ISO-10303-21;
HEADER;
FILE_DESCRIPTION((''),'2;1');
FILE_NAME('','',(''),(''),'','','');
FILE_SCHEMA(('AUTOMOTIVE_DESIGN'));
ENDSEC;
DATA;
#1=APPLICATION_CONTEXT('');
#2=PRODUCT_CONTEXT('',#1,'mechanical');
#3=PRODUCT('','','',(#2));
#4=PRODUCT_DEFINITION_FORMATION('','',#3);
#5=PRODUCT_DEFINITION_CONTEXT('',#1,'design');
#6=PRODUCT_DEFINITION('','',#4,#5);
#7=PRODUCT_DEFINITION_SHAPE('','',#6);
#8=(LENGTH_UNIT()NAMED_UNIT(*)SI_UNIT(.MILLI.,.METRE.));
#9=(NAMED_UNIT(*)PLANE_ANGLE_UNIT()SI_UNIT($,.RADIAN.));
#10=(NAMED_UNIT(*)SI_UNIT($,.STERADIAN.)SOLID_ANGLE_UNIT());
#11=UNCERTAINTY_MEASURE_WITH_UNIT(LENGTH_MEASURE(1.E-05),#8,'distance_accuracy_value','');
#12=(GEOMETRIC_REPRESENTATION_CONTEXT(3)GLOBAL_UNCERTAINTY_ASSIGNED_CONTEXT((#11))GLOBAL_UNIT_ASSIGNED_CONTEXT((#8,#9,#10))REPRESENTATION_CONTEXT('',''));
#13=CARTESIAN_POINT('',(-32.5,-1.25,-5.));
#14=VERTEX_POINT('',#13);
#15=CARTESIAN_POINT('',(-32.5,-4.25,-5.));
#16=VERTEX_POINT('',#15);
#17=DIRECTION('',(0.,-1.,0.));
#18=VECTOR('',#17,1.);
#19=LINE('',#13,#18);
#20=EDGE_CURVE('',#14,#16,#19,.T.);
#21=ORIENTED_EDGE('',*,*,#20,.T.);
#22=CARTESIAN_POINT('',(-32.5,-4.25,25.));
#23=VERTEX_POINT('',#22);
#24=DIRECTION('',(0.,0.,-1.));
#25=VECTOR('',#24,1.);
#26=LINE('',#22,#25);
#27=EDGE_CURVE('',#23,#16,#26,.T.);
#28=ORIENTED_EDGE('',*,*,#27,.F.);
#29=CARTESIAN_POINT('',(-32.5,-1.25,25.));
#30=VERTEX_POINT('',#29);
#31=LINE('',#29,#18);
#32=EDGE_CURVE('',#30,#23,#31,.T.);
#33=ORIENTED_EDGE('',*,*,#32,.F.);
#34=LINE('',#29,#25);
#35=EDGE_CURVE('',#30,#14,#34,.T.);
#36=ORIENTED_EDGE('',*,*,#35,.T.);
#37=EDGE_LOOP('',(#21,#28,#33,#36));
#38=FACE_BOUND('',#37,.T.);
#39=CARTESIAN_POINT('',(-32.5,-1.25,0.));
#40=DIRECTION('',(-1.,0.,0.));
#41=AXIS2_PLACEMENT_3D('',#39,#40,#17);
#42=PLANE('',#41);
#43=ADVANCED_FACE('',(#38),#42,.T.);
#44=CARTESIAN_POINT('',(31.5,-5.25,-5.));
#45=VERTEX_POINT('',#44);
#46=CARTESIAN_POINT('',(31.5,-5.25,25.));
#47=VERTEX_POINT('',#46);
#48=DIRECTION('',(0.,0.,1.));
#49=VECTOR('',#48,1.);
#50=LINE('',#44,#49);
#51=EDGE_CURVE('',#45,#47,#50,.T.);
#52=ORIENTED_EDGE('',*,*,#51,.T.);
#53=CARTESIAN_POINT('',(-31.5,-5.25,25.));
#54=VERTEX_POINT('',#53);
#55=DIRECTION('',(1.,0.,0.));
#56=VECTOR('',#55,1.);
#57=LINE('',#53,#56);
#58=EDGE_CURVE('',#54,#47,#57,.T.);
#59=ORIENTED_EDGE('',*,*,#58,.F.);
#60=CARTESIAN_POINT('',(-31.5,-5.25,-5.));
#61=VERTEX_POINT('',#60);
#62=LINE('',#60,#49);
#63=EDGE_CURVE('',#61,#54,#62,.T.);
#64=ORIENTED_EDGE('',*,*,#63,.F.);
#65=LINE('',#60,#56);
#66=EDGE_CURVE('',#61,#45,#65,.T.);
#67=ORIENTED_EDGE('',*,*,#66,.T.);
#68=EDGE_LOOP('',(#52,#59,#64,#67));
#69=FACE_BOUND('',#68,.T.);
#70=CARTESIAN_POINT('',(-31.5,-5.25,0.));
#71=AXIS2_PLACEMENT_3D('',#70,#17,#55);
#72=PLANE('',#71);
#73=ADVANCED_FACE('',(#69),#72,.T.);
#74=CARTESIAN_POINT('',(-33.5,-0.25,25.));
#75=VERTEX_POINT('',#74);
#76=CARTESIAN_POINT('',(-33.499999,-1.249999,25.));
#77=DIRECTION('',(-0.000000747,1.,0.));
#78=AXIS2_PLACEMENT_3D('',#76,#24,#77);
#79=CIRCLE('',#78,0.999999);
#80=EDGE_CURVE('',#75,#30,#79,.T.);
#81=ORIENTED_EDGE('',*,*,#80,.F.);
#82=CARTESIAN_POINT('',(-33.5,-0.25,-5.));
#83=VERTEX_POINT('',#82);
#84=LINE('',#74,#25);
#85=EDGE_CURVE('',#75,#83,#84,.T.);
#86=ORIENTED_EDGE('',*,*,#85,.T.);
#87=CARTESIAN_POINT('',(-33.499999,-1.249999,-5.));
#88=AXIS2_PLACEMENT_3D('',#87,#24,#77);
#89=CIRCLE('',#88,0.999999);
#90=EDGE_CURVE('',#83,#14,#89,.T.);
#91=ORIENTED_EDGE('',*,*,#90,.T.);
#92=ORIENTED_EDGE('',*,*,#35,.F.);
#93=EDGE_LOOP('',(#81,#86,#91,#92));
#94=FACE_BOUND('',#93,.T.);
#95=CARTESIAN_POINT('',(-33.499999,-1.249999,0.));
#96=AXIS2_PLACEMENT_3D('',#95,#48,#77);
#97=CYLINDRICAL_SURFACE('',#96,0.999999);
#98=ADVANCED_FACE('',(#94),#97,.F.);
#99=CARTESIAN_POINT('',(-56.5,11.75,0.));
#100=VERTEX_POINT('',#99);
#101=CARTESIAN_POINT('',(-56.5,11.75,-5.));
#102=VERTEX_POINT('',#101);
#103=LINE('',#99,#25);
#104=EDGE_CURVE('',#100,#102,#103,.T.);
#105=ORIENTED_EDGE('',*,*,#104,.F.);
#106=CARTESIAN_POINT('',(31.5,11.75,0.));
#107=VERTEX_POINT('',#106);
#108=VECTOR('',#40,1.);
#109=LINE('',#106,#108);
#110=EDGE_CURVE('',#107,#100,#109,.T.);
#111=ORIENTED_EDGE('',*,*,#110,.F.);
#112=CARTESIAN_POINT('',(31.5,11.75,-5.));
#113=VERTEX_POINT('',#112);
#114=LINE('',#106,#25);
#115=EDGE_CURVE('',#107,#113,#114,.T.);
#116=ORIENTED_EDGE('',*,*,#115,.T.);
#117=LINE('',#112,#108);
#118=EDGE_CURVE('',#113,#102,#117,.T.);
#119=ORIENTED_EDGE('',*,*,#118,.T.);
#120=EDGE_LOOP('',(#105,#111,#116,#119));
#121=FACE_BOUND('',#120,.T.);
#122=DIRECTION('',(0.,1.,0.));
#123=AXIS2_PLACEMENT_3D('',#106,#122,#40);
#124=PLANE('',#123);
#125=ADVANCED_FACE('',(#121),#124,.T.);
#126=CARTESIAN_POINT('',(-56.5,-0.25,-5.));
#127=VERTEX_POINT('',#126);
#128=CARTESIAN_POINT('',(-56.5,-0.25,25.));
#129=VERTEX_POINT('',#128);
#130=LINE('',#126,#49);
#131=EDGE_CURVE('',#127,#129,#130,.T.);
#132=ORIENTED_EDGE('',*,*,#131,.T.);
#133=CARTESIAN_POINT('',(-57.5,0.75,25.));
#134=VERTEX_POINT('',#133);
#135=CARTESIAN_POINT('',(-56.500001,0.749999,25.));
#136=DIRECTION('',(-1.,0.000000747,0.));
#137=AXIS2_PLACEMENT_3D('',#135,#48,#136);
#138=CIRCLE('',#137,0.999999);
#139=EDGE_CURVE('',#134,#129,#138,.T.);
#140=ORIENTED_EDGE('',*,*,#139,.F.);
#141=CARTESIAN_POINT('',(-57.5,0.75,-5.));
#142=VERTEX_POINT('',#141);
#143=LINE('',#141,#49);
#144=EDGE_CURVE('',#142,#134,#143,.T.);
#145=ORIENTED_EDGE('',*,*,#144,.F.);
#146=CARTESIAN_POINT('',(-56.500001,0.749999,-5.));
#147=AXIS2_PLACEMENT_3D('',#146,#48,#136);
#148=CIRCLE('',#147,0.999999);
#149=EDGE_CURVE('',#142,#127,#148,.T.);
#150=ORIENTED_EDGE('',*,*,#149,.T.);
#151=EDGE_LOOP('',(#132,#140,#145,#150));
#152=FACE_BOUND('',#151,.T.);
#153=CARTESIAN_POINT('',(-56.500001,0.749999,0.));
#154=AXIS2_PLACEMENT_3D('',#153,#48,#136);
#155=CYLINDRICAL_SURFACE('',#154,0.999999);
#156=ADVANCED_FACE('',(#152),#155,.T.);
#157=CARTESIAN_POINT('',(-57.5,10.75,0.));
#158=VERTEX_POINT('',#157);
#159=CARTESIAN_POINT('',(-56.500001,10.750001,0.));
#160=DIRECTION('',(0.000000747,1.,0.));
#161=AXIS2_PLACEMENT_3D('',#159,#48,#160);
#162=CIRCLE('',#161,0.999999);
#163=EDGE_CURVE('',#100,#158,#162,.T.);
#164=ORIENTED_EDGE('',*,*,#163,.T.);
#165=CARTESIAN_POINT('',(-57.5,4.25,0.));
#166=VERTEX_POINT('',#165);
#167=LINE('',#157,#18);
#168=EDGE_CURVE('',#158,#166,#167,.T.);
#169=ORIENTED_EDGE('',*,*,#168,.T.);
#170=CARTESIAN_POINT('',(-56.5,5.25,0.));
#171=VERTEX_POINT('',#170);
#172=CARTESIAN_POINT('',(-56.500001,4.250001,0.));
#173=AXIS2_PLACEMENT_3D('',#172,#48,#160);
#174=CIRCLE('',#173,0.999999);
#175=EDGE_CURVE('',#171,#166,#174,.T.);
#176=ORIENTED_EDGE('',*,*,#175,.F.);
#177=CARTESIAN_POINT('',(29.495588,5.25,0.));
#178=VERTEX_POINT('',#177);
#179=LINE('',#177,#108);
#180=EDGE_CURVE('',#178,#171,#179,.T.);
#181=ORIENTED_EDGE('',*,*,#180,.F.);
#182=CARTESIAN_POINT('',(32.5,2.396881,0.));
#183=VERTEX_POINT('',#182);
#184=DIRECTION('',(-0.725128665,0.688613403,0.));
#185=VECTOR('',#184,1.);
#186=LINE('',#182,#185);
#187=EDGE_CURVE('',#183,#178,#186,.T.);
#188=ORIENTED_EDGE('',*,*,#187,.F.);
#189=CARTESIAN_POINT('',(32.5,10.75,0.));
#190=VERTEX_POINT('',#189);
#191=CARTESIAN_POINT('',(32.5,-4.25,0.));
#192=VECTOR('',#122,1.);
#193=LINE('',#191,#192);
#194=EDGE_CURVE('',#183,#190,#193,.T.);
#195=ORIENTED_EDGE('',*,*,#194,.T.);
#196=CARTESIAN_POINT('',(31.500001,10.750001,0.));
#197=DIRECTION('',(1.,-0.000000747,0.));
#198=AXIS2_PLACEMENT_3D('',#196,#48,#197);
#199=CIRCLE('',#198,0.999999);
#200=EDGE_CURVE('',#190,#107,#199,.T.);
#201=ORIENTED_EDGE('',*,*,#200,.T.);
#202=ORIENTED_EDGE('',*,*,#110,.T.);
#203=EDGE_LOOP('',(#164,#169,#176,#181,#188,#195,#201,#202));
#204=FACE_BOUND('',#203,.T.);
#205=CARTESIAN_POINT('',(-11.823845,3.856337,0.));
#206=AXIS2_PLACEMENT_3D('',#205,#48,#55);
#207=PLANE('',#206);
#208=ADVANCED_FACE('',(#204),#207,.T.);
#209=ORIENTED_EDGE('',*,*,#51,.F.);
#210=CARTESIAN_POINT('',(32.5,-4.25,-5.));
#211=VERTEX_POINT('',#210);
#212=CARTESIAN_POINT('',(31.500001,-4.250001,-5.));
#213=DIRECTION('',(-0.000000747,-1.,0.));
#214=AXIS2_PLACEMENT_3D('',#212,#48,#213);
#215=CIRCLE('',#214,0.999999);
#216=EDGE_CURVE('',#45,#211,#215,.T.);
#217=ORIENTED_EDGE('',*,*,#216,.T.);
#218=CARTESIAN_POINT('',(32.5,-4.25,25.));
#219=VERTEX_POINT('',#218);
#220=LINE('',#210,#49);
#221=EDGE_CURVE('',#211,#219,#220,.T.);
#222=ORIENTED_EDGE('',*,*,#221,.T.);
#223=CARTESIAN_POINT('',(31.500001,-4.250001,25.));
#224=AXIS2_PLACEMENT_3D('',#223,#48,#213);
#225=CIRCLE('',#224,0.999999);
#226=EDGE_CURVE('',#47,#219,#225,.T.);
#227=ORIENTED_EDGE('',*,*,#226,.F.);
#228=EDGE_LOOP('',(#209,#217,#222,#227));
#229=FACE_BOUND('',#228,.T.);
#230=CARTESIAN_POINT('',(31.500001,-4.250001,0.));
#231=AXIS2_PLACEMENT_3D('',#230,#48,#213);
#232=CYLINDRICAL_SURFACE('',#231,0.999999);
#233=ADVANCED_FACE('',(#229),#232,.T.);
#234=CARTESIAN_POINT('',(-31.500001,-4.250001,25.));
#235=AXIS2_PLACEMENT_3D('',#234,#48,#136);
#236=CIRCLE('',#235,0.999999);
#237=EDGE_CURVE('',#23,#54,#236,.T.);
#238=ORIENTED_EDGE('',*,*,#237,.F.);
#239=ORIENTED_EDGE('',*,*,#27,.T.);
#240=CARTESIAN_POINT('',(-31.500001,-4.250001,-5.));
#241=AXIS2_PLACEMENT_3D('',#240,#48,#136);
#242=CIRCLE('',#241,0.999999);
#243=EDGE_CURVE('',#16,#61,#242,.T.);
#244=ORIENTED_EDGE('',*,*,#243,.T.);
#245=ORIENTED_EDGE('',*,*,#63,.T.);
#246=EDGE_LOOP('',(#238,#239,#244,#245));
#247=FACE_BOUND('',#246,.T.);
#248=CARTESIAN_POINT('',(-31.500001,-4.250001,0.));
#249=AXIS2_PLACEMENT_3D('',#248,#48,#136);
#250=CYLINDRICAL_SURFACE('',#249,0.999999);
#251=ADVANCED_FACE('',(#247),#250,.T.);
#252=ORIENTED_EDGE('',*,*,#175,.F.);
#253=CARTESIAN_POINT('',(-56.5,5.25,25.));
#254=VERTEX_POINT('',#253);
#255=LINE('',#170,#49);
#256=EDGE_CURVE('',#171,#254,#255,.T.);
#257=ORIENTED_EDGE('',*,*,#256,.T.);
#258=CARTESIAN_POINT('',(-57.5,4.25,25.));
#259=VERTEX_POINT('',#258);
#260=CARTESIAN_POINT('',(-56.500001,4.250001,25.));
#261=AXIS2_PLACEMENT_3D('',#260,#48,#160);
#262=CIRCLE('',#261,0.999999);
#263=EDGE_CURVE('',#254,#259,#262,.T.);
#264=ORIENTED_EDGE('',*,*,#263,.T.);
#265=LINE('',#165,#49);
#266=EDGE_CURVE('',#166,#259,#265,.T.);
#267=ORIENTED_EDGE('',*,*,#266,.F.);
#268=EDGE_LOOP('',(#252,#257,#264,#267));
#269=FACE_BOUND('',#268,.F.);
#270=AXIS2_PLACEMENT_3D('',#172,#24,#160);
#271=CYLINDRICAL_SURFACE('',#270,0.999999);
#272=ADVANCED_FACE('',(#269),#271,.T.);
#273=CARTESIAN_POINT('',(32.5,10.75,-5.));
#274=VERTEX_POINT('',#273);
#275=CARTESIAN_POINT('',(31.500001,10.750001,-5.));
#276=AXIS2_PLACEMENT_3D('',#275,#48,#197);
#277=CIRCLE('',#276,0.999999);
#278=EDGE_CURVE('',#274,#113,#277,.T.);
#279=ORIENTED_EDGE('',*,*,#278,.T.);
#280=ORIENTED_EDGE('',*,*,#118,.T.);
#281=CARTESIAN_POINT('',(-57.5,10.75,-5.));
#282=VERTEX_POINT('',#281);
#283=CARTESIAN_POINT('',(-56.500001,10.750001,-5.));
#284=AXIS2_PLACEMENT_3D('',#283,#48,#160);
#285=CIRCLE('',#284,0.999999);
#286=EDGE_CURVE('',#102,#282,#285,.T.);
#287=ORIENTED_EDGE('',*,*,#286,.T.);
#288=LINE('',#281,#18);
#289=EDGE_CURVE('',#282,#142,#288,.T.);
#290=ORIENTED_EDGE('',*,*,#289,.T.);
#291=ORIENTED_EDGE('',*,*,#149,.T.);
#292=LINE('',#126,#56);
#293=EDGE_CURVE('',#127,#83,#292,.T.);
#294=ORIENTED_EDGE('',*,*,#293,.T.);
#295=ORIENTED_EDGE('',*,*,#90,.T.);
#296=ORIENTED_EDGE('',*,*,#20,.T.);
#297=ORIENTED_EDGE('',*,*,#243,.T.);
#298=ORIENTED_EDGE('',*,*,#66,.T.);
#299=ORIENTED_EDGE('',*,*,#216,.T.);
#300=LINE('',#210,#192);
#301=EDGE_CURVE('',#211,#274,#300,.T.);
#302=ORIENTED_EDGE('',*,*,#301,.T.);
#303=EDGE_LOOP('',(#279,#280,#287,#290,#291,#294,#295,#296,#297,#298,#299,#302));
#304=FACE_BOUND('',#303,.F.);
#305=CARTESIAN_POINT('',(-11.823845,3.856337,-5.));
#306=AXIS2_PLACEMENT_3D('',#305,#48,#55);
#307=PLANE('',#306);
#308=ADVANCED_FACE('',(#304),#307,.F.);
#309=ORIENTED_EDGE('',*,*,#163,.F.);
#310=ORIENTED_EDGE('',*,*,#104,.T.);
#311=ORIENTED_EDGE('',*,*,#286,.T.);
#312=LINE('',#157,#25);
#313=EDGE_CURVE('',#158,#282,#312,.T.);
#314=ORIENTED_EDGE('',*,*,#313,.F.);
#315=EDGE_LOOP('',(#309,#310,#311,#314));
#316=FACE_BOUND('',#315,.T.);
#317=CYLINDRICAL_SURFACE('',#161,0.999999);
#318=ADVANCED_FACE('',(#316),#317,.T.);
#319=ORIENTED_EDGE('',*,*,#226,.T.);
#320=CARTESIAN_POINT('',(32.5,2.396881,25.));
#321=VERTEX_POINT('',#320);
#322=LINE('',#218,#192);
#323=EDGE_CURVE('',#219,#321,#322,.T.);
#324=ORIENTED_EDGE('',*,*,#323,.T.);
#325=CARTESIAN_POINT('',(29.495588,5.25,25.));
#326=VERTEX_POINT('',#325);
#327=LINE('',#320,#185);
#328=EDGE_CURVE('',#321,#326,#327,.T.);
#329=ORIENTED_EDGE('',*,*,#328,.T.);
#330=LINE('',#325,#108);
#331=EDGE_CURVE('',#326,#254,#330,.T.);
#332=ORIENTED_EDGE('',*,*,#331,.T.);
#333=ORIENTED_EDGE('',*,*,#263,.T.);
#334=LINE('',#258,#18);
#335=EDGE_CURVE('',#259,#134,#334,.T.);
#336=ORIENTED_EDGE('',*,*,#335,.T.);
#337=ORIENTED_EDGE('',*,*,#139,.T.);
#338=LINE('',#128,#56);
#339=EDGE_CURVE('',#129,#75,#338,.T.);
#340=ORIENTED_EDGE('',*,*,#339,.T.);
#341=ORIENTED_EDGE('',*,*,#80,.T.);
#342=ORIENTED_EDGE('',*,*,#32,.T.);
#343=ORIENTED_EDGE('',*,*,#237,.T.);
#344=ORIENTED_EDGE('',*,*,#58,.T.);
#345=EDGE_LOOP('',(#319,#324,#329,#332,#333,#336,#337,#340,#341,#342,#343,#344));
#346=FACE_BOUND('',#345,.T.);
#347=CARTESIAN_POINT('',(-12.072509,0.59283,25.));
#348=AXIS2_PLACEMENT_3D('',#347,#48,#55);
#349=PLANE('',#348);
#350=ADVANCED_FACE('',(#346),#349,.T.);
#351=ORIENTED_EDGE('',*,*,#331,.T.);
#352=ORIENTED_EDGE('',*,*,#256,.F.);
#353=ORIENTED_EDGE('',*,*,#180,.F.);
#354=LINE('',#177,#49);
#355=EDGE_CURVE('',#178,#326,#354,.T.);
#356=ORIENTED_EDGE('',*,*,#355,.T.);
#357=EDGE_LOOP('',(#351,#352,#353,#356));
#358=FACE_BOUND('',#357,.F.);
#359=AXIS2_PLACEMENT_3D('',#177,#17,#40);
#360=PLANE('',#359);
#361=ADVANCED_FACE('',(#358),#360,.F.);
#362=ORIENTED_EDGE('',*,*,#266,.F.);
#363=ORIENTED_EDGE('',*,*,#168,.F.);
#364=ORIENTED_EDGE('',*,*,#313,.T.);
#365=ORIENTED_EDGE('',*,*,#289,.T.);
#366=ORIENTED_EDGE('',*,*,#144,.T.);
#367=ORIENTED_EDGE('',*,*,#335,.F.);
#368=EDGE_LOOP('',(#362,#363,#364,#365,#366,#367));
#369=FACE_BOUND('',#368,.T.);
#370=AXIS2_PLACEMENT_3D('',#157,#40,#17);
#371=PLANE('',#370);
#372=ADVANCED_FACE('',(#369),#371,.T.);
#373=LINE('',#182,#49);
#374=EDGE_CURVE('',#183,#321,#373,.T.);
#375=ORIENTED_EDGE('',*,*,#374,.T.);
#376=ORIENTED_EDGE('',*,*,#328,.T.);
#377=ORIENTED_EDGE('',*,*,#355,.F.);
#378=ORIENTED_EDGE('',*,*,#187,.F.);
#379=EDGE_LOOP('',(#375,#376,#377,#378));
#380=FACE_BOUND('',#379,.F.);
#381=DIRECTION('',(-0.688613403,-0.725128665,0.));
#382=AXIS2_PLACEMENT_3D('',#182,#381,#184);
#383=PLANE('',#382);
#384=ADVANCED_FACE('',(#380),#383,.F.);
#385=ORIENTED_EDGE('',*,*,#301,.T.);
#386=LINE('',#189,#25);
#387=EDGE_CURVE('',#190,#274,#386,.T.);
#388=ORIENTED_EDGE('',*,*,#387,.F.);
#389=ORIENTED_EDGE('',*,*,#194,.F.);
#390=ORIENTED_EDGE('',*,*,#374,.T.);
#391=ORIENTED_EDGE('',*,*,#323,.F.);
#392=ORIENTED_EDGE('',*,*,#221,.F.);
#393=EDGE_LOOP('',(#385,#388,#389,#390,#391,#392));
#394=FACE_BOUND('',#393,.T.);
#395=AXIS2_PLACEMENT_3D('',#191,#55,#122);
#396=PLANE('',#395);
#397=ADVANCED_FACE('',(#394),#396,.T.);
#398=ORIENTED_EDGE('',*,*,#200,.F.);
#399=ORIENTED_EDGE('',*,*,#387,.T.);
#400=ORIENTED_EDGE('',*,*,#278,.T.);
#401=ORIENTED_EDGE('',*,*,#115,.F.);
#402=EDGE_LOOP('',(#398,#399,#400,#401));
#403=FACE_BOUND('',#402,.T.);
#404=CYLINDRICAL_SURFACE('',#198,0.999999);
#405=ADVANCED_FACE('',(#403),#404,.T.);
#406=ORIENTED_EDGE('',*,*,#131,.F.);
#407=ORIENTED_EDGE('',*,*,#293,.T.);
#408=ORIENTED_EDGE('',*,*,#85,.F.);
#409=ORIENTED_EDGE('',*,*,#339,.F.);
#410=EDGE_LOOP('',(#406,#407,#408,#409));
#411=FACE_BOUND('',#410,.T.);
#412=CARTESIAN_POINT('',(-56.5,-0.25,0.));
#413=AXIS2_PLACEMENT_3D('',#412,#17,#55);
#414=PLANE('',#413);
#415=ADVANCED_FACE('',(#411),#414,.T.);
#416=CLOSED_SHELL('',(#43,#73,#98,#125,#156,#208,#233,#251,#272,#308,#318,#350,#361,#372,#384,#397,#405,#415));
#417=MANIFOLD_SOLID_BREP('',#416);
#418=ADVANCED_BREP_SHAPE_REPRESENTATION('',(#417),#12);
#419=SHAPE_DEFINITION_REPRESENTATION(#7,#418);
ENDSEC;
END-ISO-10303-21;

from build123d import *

# Parameters (mm, degrees)
F1_DEPTH = 25
F3_DEPTH = 5


with BuildPart() as f1:
    # F0 (on Top) → F1 (new body)
    with BuildSketch(Plane.XY):
        with BuildLine():
            ThreePointArc((-32.5, -4.25), (-32.207107, -4.957107), (-31.5, -5.25))
            Line((-31.5, -5.25), (31.5, -5.25))
            ThreePointArc((31.5, -5.25), (32.207107, -4.957107), (32.5, -4.25))
            Line((32.5, -4.25), (32.5, 2.396881))
            Line((32.5, 2.396881), (29.495588, 5.25))
            Line((29.495588, 5.25), (-31.5, 5.25))
            Line((-31.5, 5.25), (-32.5, 5.25))
            Line((-32.5, 5.25), (-56.5, 5.25))
            ThreePointArc((-56.5, 5.25), (-57.207107, 4.957107), (-57.5, 4.25))
            Line((-57.5, 4.25), (-57.5, 0.75))
            ThreePointArc((-57.5, 0.75), (-57.207107, 0.042893), (-56.5, -0.25))
            Line((-56.5, -0.25), (-33.5, -0.25))
            ThreePointArc((-33.5, -0.25), (-32.792893, -0.542893), (-32.5, -1.25))
            Line((-32.5, -1.25), (-32.5, -4.25))
        make_face()
    extrude(amount=F1_DEPTH)

    # F2 (on Top) → F3 (join)
    with BuildSketch(Plane.XY):
        with BuildLine():
            ThreePointArc((-32.5, -4.25), (-32.207107, -4.957107), (-31.5, -5.25))
            Line((-31.5, -5.25), (31.5, -5.25))
            ThreePointArc((31.5, -5.25), (32.207107, -4.957107), (32.5, -4.25))
            Line((32.5, -4.25), (32.5, 10.75))
            ThreePointArc((32.5, 10.75), (32.207107, 11.457107), (31.5, 11.75))
            Line((31.5, 11.75), (-31.5, 11.75))
            Line((-31.5, 11.75), (-32.5, 11.75))
            Line((-32.5, 11.75), (-56.5, 11.75))
            ThreePointArc((-56.5, 11.75), (-57.207107, 11.457107), (-57.5, 10.75))
            Line((-57.5, 10.75), (-57.5, 0.75))
            ThreePointArc((-57.5, 0.75), (-57.207107, 0.042893), (-56.5, -0.25))
            Line((-56.5, -0.25), (-33.5, -0.25))
            ThreePointArc((-33.5, -0.25), (-32.792893, -0.542893), (-32.5, -1.25))
            Line((-32.5, -1.25), (-32.5, -4.25))
        make_face()
    extrude(amount=-F3_DEPTH)


solid = f1.part
